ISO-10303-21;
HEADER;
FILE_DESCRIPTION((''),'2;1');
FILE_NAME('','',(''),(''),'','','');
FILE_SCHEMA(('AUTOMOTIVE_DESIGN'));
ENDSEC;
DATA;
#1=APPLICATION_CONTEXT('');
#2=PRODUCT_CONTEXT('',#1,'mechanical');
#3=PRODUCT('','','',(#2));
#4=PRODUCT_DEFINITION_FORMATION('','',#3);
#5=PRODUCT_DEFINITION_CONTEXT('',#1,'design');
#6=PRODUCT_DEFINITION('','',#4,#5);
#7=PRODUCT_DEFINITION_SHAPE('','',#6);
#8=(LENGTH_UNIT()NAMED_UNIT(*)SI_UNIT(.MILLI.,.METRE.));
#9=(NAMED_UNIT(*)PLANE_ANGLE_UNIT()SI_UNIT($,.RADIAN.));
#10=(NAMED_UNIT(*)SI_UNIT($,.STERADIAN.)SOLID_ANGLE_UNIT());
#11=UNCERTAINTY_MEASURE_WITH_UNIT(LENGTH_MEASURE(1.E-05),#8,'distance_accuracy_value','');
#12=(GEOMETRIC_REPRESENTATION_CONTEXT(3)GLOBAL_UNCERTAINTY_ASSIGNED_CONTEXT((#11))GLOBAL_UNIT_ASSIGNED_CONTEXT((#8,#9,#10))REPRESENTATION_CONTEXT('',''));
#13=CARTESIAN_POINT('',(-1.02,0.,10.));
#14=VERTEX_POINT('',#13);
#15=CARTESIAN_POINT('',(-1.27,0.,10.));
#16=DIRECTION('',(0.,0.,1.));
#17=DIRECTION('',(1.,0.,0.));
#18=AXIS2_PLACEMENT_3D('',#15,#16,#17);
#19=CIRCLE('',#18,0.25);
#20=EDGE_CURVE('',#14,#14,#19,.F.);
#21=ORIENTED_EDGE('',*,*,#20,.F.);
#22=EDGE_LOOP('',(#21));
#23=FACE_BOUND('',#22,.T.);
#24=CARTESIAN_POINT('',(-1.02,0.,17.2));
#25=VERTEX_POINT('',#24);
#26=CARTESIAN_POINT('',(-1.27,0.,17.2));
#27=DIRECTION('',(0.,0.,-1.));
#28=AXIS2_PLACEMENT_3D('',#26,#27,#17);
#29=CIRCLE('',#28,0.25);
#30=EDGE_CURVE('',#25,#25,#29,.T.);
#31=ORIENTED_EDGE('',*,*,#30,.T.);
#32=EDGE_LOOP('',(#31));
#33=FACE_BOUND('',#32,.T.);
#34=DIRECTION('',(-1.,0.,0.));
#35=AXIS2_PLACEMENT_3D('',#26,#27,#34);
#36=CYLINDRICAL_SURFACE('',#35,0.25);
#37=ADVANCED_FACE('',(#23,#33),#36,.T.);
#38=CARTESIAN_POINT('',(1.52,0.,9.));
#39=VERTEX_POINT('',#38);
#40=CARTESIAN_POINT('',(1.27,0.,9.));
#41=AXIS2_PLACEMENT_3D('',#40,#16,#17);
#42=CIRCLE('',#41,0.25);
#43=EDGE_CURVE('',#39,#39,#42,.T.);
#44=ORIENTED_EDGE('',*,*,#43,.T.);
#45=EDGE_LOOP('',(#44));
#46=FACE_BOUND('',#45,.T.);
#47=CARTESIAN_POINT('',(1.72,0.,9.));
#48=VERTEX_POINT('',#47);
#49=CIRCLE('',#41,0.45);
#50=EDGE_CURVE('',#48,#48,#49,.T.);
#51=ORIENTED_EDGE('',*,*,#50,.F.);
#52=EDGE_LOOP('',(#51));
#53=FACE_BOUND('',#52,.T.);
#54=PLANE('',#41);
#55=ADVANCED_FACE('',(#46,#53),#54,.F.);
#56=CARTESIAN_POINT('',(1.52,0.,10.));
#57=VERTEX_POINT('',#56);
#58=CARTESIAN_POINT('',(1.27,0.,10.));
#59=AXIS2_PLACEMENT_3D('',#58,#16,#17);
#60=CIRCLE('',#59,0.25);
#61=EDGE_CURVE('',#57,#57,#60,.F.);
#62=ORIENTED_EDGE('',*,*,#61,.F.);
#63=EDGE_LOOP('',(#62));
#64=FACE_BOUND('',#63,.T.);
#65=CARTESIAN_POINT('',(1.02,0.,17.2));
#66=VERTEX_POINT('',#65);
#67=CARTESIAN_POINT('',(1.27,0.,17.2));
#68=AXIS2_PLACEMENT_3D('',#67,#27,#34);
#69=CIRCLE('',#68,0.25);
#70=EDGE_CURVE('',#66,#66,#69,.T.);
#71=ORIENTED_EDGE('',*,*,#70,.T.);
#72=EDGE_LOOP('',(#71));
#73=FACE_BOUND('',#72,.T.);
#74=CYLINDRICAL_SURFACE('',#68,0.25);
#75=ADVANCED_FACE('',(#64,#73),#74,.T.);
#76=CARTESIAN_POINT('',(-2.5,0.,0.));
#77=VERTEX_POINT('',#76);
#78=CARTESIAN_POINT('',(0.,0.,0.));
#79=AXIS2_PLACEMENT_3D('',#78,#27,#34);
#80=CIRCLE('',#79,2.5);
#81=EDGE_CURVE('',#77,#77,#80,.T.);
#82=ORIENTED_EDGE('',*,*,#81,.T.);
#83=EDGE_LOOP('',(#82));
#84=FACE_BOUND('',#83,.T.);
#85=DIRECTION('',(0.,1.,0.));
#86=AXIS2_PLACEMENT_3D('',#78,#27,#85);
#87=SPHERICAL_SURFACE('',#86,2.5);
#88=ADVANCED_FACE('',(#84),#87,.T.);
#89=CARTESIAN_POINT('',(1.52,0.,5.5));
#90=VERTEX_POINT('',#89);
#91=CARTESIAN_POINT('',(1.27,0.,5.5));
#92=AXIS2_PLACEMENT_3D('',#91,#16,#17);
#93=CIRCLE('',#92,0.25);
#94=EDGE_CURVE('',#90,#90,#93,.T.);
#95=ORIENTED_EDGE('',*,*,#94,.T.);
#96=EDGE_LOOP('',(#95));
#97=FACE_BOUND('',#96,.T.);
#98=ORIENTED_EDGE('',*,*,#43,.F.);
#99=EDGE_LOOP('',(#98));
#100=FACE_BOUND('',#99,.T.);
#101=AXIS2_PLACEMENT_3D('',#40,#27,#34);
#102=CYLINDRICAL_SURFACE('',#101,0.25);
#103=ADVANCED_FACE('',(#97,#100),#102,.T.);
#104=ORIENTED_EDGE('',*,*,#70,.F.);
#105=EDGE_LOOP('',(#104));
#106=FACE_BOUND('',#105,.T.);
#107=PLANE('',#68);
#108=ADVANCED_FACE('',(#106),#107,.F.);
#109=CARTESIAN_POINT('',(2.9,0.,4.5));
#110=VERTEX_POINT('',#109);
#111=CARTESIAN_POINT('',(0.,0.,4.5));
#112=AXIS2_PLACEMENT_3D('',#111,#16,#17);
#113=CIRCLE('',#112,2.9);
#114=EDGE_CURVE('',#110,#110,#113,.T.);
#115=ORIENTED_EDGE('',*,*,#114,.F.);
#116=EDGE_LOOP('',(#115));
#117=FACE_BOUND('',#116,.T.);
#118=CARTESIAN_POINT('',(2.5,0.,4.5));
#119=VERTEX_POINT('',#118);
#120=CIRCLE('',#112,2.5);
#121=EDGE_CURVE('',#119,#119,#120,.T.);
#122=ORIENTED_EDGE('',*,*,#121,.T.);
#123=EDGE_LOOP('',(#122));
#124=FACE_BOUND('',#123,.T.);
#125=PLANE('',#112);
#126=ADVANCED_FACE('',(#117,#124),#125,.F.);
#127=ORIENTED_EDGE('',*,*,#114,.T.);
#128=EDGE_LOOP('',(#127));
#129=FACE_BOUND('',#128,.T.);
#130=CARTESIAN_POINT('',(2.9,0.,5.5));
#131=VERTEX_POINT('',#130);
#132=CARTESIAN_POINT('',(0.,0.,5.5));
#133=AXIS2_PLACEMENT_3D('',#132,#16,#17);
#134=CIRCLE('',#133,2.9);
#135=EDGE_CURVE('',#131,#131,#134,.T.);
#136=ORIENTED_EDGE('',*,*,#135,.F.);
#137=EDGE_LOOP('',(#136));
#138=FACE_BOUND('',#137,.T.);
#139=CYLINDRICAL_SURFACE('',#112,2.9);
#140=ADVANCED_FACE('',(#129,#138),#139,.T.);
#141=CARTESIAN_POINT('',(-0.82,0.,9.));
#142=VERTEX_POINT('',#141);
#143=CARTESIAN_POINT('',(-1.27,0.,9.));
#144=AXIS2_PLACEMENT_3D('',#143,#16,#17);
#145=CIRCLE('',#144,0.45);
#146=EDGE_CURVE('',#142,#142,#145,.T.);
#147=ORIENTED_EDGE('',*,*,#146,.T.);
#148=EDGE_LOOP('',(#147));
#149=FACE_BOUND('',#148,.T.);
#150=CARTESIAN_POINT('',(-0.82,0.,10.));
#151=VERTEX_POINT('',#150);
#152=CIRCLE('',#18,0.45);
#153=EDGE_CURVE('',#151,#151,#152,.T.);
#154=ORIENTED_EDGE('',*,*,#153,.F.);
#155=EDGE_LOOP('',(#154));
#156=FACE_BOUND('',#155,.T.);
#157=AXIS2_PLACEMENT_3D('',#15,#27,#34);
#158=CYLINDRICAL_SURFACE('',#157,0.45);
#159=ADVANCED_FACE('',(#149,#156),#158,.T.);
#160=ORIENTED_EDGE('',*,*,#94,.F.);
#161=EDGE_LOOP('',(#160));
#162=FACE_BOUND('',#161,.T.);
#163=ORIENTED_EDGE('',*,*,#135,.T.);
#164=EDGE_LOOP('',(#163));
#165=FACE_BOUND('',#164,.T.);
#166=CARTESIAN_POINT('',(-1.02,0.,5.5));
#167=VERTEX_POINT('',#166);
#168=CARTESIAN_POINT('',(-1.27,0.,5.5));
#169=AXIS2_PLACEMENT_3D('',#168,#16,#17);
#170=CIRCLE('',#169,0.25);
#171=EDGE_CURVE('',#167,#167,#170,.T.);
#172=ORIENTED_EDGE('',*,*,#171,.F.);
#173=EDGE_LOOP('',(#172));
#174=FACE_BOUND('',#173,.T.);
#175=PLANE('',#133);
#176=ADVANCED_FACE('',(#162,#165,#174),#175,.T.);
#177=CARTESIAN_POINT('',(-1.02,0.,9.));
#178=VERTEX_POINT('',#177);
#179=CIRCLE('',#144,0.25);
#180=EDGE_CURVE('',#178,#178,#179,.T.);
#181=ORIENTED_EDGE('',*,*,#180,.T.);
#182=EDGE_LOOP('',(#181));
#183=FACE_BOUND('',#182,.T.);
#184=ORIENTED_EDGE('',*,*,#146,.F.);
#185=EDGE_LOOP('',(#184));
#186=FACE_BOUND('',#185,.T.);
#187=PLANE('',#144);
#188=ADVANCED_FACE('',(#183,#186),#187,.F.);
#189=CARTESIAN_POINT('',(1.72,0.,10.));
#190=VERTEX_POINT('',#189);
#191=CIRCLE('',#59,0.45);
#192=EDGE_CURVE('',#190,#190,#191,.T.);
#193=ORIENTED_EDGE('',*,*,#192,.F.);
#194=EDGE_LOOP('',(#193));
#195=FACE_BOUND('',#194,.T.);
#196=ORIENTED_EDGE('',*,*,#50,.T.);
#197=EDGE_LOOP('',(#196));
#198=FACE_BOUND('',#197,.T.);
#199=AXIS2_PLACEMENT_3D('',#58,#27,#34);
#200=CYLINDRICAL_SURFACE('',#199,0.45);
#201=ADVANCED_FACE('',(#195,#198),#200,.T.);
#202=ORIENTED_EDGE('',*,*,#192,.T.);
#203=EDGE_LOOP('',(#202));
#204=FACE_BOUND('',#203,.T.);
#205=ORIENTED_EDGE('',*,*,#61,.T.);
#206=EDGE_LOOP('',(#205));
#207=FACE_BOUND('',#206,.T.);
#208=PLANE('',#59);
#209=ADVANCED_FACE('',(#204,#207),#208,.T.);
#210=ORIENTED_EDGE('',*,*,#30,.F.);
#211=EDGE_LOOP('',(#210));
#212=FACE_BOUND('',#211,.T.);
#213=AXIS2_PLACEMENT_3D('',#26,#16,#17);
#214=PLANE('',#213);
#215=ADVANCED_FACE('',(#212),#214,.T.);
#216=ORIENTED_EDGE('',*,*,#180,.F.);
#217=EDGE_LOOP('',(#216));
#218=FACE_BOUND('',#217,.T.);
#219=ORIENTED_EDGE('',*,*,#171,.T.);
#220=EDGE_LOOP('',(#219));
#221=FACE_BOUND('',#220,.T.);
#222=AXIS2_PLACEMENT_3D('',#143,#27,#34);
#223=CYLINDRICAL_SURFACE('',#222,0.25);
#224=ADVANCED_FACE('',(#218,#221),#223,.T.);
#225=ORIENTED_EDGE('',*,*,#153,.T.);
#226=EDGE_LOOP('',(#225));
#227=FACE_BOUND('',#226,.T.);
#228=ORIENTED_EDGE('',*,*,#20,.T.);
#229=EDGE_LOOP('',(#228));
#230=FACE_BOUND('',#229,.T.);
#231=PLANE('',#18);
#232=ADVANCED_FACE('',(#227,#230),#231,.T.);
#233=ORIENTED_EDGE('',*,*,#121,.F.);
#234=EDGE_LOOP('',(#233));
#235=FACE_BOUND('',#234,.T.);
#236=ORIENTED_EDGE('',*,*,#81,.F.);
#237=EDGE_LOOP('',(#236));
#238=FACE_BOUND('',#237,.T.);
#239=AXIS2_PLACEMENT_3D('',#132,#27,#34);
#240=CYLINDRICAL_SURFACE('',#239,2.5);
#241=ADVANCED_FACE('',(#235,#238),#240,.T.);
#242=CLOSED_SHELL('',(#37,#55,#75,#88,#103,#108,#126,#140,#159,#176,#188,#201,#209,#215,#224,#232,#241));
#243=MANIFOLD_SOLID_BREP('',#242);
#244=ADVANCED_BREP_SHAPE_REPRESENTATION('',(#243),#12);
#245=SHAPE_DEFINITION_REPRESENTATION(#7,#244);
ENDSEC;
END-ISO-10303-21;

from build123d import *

# Parameters (mm, degrees)
SKETCH_1_R          = 2.5
EXTRUDE_1_DEPTH     = 5.5
SKETCH_2_R          = 2.9
EXTRUDE_2_DEPTH     = 1
SKETCH_3_R          = 0.25
EXTRUDE_3_DEPTH     = 12.7
SKETCH_6_R          = 0.45
SKETCH_6_R_2        = 0.25
EXTRUDE_1_2_DEPTH   = 4.5
SKETCH_7_R          = 0.45
SKETCH_7_R_2        = 0.25
CUT_EXTRUDE_2_DEPTH = 3.5


with BuildPart() as part:
    # 草图1 → Extrude 1 (new body)
    with BuildSketch(Plane.XY):
        Circle(SKETCH_1_R)
    extrude(amount=EXTRUDE_1_DEPTH)

    # 草图2 → 拉伸2 (add)
    with BuildSketch(Plane.XY.offset(5.5)):
        Circle(SKETCH_2_R)
    extrude(amount=-EXTRUDE_2_DEPTH)

    # 草图3 → 拉伸3 (add)
    with BuildSketch(Plane(origin=(0, 0, 4.5), x_dir=(-1, 0, 0), z_dir=(0, 0, -1))):
        with Locations((-1.27, 0)):
            Circle(SKETCH_3_R)
        with Locations(Location((1.27, 0, 0), (0, 0, 180))):
            Circle(SKETCH_3_R)
    extrude(amount=-EXTRUDE_3_DEPTH)

    # 草图5 → 旋转2 (revolve)
    with BuildSketch(Plane(origin=(0, 0, 0), x_dir=(0, 0, -1), z_dir=(1, 0, 0)), mode=Mode.PRIVATE) as revolve_2_sk:
        with BuildLine():
            Line((0, 2.5), (0, 0))
            Line((0, 0), (2.5, 0))
            ThreePointArc((2.5, 0), (1.767766953, 1.767766953), (0, 2.5))
        make_face()
    revolve(revolve_2_sk.sketch.rotate(Axis((0, 0, -2.5), (0, 0, 1)), 90), axis=Axis((0, 0, -2.5), (0, 0, 1)))

    # 草图6 → Extrude 1 2 (add)
    # profile 1 of 2: a face of its own
    with BuildSketch(Plane.XY.offset(5.5)):
        with Locations((-1.27, 0)):
            Circle(SKETCH_6_R)
        with Locations((-1.27, 0)):
            Circle(SKETCH_6_R_2, mode=Mode.SUBTRACT)
    # profile 2 of 2: a face of its own
    with BuildSketch(Plane.XY.offset(5.5)):
        with Locations((1.27, 0)):
            Circle(SKETCH_6_R)
        with Locations(Location((1.27, 0, 0), (0, 0, 180))):
            Circle(SKETCH_6_R_2, mode=Mode.SUBTRACT)
    extrude(amount=EXTRUDE_1_2_DEPTH)

    # 草图7 → 切除-拉伸2 (cut)
    # profile 1 of 2: a face of its own
    with BuildSketch(Plane.XY.offset(5.5)):
        with Locations((-1.27, 0)):
            Circle(SKETCH_7_R)
        with Locations((-1.27, 0)):
            Circle(SKETCH_7_R_2, mode=Mode.SUBTRACT)
    # profile 2 of 2: a face of its own
    with BuildSketch(Plane.XY.offset(5.5)):
        with Locations((1.27, 0)):
            Circle(SKETCH_7_R)
        with Locations((1.27, 0)):
            Circle(SKETCH_7_R_2, mode=Mode.SUBTRACT)
    extrude(amount=CUT_EXTRUDE_2_DEPTH, mode=Mode.SUBTRACT)


solid = part.part
